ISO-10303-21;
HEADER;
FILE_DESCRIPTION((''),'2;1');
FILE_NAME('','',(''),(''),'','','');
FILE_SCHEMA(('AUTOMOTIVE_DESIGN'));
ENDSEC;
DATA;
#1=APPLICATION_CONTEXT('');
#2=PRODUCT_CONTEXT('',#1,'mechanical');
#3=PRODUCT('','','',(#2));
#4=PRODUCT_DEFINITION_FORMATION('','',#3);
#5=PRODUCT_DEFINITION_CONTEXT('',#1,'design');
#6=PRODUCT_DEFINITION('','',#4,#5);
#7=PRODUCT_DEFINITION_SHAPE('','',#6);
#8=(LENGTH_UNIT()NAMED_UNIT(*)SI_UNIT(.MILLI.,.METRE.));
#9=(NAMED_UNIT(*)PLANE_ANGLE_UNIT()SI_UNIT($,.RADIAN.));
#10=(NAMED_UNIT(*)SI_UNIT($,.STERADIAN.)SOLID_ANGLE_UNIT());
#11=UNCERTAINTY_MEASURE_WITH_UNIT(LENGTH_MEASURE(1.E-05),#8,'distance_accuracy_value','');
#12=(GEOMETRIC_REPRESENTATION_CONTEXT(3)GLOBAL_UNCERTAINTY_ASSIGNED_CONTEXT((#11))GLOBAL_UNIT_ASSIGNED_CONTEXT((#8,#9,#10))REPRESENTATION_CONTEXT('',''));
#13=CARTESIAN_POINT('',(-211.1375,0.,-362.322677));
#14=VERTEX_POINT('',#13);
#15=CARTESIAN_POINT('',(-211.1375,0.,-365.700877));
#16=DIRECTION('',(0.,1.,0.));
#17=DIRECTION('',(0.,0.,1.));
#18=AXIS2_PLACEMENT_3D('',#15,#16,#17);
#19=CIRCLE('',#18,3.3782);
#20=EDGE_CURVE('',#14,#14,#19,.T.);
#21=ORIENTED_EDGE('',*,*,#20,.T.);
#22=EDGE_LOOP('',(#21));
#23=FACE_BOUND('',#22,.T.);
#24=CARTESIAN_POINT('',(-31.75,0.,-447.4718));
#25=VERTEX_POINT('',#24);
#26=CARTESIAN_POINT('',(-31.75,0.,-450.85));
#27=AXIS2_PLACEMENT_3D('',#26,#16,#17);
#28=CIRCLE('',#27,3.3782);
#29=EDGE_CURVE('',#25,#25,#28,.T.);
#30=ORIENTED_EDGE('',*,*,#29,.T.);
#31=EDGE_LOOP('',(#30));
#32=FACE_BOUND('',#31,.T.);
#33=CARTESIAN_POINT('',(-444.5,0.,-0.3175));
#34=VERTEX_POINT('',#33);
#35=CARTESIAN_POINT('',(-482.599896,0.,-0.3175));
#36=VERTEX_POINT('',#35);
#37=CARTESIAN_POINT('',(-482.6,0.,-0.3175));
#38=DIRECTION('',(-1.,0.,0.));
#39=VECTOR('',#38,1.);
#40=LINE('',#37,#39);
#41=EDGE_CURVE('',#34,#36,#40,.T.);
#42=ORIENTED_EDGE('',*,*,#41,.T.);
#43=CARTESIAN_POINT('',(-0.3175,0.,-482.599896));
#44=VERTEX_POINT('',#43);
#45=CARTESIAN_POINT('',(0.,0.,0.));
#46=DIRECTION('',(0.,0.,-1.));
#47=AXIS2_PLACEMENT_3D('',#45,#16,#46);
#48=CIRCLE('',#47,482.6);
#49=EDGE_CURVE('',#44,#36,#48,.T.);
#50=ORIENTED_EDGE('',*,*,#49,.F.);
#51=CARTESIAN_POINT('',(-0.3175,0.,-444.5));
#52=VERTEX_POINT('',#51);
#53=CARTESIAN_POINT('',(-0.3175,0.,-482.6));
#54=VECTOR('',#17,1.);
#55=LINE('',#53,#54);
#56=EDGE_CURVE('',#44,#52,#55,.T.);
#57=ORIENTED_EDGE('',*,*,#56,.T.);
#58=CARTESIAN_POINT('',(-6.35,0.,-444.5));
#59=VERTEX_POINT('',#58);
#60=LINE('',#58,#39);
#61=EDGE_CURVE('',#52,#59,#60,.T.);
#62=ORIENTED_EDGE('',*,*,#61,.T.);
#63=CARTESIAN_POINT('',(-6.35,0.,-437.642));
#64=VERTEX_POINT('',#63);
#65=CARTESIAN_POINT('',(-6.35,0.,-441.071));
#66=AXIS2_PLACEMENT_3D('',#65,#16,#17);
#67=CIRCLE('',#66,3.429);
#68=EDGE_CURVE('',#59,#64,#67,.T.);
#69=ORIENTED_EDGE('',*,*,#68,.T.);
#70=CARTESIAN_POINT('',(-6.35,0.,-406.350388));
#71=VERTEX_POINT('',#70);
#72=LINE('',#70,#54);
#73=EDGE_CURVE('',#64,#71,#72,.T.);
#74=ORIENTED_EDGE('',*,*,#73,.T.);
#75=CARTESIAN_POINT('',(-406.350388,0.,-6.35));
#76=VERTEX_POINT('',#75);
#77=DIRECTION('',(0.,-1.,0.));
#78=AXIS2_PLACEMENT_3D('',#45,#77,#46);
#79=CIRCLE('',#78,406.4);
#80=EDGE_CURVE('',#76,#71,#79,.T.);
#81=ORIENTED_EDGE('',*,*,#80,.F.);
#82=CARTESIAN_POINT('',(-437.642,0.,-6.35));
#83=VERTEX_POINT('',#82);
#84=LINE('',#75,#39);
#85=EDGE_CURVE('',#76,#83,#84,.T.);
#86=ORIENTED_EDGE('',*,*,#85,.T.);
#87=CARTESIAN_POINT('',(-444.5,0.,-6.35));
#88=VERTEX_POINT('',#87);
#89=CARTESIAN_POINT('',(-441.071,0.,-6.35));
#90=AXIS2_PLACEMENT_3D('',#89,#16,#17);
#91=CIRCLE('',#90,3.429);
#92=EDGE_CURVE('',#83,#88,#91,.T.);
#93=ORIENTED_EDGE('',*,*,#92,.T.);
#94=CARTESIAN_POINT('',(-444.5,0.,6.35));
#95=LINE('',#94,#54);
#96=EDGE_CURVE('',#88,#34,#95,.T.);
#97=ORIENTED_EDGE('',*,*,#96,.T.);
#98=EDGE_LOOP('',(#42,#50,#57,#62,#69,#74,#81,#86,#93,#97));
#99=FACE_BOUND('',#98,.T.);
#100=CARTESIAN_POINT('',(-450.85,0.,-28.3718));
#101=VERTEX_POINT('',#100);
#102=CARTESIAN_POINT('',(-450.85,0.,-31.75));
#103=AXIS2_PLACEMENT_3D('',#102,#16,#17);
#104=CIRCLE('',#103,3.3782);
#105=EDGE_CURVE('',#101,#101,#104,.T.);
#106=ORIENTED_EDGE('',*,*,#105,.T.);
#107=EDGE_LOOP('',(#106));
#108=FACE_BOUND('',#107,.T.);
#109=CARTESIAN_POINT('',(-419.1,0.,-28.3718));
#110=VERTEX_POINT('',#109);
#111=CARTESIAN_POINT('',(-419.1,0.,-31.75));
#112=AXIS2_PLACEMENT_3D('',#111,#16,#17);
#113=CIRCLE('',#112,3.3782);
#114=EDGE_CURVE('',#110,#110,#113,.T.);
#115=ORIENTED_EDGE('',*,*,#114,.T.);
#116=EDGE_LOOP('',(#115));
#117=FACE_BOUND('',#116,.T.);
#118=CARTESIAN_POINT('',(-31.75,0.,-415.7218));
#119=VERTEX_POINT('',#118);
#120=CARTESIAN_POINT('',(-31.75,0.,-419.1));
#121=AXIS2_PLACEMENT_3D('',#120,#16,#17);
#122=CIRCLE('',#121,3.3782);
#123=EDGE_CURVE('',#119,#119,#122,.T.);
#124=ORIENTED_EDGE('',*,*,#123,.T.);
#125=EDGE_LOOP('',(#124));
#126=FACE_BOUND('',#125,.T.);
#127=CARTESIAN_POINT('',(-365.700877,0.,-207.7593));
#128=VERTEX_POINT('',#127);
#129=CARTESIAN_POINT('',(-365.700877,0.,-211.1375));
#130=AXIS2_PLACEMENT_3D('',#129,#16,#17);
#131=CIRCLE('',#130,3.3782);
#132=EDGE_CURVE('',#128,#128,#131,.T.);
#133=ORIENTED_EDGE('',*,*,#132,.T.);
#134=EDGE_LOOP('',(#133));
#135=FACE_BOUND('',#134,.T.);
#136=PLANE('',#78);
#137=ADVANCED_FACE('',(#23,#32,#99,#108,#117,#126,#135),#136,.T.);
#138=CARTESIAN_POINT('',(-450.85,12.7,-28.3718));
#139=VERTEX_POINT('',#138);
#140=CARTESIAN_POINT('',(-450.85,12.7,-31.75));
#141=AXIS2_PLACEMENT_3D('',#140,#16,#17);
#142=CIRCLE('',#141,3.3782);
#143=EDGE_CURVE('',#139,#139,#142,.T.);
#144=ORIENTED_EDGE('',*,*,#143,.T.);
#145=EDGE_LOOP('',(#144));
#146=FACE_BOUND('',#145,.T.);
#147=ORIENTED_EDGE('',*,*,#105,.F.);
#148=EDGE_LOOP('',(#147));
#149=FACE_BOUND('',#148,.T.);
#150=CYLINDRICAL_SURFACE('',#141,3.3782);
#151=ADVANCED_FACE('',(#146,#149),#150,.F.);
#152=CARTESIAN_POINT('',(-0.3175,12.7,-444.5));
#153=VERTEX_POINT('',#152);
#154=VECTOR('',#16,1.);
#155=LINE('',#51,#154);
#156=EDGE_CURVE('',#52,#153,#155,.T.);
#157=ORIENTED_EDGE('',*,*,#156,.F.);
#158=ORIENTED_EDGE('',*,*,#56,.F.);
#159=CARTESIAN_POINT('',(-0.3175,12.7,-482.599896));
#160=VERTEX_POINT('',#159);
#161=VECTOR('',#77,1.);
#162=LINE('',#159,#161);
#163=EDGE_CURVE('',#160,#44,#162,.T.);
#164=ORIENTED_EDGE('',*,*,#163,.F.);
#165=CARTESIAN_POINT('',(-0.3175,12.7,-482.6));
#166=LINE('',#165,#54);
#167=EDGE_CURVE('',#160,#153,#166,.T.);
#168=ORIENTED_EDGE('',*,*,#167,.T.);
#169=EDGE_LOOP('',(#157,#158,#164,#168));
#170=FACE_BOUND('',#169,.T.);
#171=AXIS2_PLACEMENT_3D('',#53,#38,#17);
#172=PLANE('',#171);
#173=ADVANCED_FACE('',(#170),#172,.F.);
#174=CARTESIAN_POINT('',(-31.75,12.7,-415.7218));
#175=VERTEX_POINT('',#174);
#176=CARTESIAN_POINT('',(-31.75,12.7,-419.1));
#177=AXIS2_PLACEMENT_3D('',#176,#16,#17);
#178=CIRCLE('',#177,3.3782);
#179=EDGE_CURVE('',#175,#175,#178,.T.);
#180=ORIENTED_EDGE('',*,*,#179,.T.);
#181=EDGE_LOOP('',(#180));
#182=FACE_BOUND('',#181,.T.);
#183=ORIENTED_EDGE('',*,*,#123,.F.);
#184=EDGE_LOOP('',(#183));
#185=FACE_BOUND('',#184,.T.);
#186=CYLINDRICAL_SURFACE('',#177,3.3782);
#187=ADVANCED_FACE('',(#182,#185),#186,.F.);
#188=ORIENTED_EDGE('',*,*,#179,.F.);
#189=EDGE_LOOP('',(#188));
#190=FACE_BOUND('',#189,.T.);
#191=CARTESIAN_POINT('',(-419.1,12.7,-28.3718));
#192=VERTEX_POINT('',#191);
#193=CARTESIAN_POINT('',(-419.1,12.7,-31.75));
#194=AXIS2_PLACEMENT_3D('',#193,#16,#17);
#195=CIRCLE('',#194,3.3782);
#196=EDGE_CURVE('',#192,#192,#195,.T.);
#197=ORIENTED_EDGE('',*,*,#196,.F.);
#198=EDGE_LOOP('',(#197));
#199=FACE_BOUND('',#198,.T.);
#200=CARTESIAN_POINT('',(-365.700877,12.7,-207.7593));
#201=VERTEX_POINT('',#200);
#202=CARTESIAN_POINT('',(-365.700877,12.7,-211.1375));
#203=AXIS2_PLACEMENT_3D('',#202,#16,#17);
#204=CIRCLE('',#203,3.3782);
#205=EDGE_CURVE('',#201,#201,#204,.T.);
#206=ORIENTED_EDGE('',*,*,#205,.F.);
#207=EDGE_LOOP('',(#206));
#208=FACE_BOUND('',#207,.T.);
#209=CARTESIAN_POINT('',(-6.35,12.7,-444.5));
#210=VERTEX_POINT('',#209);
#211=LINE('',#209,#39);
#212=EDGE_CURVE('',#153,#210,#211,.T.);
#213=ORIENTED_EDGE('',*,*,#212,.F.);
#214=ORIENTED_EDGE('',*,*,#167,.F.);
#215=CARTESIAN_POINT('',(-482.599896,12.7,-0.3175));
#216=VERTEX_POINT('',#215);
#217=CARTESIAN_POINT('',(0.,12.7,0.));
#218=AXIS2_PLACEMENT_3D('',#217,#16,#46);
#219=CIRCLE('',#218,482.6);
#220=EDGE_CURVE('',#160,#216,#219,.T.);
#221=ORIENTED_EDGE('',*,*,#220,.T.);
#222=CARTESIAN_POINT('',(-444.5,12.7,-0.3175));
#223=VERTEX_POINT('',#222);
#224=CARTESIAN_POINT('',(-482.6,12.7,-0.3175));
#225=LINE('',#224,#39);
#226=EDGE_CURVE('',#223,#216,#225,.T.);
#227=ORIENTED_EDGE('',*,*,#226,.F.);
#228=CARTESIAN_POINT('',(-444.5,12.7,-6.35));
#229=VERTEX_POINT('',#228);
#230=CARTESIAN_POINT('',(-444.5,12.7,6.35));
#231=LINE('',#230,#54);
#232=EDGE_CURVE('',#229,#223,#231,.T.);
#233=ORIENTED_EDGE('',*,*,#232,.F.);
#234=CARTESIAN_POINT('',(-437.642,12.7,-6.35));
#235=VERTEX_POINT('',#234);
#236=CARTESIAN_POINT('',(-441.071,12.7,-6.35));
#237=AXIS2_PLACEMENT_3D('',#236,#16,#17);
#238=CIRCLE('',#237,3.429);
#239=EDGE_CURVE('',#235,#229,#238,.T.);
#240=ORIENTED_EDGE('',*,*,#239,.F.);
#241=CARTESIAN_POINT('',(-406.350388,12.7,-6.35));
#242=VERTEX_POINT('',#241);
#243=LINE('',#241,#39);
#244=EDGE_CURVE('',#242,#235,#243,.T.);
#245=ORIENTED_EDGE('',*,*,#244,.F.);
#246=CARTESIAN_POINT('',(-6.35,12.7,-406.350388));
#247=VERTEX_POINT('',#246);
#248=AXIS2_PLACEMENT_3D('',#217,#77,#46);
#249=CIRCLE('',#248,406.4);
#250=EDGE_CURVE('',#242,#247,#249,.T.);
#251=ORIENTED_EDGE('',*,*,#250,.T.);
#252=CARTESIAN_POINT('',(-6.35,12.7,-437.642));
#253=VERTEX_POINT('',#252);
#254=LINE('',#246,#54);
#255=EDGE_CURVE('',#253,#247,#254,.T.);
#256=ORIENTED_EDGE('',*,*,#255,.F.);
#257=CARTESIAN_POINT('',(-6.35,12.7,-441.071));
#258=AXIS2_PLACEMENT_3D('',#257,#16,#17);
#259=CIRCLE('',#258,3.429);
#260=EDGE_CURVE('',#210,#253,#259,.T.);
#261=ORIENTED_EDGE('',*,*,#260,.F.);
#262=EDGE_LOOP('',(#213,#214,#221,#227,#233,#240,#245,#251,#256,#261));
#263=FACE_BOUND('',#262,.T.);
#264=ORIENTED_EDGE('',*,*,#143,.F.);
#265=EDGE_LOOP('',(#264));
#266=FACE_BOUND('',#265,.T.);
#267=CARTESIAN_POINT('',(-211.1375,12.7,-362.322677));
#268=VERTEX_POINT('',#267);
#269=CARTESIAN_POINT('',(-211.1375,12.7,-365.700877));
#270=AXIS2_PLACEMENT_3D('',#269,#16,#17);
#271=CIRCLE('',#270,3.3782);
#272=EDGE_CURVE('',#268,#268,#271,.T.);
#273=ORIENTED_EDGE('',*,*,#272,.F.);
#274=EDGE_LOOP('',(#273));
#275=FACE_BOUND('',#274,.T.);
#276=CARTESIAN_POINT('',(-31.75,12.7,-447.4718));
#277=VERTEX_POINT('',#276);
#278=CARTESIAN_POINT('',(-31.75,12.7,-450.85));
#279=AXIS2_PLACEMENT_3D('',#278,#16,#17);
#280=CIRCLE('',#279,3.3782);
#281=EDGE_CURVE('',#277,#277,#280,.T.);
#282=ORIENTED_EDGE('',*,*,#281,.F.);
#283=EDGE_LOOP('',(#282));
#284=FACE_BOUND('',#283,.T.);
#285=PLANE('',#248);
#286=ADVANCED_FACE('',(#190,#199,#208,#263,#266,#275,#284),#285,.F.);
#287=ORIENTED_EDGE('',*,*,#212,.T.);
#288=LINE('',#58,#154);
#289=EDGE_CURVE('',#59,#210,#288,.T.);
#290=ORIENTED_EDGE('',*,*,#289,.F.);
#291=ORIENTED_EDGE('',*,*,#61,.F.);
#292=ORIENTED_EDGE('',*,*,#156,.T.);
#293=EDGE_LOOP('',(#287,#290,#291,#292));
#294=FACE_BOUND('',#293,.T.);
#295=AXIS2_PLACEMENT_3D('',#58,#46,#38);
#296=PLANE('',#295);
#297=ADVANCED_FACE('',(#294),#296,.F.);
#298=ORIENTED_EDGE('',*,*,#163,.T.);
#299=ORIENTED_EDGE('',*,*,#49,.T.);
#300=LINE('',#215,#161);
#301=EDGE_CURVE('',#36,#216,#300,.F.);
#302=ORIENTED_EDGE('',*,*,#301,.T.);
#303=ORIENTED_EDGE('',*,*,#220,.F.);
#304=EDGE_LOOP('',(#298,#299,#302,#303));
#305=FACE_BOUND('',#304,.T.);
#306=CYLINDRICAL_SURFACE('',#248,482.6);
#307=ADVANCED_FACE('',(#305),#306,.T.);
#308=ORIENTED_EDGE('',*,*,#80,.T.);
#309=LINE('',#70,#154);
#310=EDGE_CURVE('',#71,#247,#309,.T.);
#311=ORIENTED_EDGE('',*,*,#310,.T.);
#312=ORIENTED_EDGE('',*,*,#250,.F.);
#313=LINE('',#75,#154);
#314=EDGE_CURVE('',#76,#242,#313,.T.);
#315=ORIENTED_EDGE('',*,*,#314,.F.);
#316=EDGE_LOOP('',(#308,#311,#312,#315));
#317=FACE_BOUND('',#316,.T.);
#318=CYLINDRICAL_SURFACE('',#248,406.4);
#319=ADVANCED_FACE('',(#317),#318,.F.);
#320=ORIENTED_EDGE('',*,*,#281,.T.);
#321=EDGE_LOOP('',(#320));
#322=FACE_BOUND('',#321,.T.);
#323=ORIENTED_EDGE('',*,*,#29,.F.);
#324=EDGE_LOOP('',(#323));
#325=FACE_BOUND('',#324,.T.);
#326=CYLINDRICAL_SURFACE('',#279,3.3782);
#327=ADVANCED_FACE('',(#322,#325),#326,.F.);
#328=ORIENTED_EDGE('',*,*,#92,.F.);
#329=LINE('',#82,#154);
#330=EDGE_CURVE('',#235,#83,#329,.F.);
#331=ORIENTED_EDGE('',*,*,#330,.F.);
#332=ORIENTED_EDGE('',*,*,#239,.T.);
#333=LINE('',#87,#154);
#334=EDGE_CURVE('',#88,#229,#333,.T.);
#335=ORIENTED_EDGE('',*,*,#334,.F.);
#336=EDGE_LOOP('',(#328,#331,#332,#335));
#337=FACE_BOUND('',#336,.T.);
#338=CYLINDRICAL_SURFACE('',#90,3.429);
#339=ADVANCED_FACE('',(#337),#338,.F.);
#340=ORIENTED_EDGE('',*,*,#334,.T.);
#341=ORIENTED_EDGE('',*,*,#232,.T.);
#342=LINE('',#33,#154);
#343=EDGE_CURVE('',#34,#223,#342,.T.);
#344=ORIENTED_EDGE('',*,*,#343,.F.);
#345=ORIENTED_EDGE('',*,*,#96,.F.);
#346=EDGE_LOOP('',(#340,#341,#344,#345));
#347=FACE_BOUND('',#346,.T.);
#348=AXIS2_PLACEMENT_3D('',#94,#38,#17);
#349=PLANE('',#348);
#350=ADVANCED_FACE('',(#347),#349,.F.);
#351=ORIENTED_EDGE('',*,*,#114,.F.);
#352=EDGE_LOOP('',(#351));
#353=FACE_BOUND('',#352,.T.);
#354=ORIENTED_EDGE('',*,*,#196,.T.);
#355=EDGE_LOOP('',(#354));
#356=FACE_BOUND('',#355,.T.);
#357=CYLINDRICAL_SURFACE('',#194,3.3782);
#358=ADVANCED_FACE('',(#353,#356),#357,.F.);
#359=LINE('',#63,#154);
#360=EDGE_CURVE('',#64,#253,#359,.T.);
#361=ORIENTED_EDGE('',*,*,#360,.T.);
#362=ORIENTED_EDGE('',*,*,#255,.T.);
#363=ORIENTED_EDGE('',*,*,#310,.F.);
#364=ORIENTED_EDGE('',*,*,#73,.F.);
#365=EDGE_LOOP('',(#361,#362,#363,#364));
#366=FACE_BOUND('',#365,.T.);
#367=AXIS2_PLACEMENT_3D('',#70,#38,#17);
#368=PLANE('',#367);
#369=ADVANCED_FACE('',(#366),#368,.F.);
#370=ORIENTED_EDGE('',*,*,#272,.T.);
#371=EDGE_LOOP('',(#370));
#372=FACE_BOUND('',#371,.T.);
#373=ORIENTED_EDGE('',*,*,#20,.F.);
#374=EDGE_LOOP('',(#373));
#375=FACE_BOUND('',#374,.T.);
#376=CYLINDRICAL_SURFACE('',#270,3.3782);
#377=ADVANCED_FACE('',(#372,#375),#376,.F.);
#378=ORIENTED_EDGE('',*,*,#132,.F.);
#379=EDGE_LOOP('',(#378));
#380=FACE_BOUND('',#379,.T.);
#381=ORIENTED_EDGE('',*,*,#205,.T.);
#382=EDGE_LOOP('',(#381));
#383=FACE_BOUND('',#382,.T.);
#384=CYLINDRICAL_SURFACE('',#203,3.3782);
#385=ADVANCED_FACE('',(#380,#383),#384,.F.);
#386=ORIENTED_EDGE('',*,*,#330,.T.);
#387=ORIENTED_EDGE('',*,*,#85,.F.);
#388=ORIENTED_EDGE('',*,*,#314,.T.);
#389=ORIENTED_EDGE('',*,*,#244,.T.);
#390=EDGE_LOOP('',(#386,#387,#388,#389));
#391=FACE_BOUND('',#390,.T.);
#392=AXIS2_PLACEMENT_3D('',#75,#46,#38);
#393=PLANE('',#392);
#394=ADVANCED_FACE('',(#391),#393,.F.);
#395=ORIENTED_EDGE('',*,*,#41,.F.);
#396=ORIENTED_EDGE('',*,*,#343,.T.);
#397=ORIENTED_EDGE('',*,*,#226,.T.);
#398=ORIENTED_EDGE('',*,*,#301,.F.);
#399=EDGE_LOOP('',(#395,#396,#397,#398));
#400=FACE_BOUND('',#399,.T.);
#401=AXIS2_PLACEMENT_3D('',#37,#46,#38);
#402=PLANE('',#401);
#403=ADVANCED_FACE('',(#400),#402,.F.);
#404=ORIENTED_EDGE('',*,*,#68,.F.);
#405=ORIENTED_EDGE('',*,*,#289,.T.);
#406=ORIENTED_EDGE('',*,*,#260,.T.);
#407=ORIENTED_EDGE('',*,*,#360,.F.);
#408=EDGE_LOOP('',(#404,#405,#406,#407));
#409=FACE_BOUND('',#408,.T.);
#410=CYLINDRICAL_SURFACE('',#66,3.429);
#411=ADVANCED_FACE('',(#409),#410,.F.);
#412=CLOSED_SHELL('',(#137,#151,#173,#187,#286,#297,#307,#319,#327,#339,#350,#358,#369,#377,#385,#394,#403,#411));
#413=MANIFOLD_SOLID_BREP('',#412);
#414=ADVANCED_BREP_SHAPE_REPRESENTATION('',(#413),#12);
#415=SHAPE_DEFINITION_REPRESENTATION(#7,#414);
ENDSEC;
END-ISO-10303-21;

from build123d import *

# Parameters (mm, degrees)
BOSS_EXTRUDE1_DEPTH     = 12.7
SKETCH2_W               = 12.7
SKETCH2_H               = 38.149612403
SKETCH2_W_2             = 38.149612403
SKETCH2_H_2             = 12.7
CUT_EXTRUDE1_DEPTH      = 13.7
SKETCH3_R               = 3.429
CUT_EXTRUDE2_DEPTH      = 13.7
F_1_4_CLEARANCE_HOLE1_D = 6.7564
SKETCH8_W               = 482.6
SKETCH8_H               = 482.6
CUT_EXTRUDE4_DEPTH      = 13.7
SKETCH9_W               = 0.3175
SKETCH9_H               = 38.1
SKETCH9_W_2             = 38.1
SKETCH9_H_2             = 0.3175
CUT_EXTRUDE5_DEPTH      = 13.7


with BuildPart() as part:
    # Sketch1 → Boss-Extrude1 (new body)
    with BuildSketch(Plane(origin=(0, 0, 0), x_dir=(1, 0, 0), z_dir=(0, 1, 0))):
        with BuildLine():
            Line((-406.4, 0), (-482.6, 0))
            ThreePointArc((-482.6, 0), (0, 482.6), (482.6, 0))
            Line((482.6, 0), (406.4, 0))
            ThreePointArc((406.4, 0), (0, 406.4), (-406.4, 0))
        make_face()
    extrude(amount=BOSS_EXTRUDE1_DEPTH)

    # Sketch2 → Cut-Extrude1 (cut, through all)
    with BuildSketch(Plane(origin=(0, 12.7, 0), x_dir=(1, 0, 0), z_dir=(0, 1, 0))):
        with Locations((0, 425.425193799)):
            Rectangle(SKETCH2_W, SKETCH2_H)
        with Locations((425.425193799, 0)):
            Rectangle(SKETCH2_W_2, SKETCH2_H_2)
        with Locations((0, -425.425193799)):
            Rectangle(SKETCH2_W, SKETCH2_H)
        with Locations((-425.425193799, 0)):
            Rectangle(SKETCH2_W_2, SKETCH2_H_2)
    extrude(amount=-CUT_EXTRUDE1_DEPTH, mode=Mode.SUBTRACT)

    # Sketch3 → Cut-Extrude2 (cut, through all)
    with BuildSketch(Plane(origin=(0, 12.7, 0), x_dir=(1, 0, 0), z_dir=(0, 1, 0))):
        with Locations((-6.35, 441.071)):
            Circle(SKETCH3_R)
        with Locations((-441.071, 6.35)):
            Circle(SKETCH3_R)
        with Locations((6.35, 441.071)):
            Circle(SKETCH3_R)
        with Locations((441.071, 6.35)):
            Circle(SKETCH3_R)
    extrude(amount=-CUT_EXTRUDE2_DEPTH, mode=Mode.SUBTRACT)

    # 1/4 Clearance Hole1 (through all)
    with Locations(Plane(origin=(0, 12.7, 0), x_dir=(1, 0, 0), z_dir=(0, 1, 0))):
        with Locations((-365.700877383, 211.1375), (-31.75, 419.1), (-31.75, 450.85), (-419.1, 31.75), (-450.85, 31.75), (-211.1375, 365.700877383)):
            Hole(F_1_4_CLEARANCE_HOLE1_D / 2)

    # Sketch8 → Cut-Extrude4 (cut, through all)
    with BuildSketch(Plane(origin=(0, 12.7, 0), x_dir=(1, 0, 0), z_dir=(0, 1, 0))):
        with Locations((241.3, 241.3)):
            Rectangle(SKETCH8_W, SKETCH8_H)
    extrude(amount=-CUT_EXTRUDE4_DEPTH, mode=Mode.SUBTRACT)

    # Sketch9 → Cut-Extrude5 (cut, through all)
    with BuildSketch(Plane(origin=(0, 12.7, 0), x_dir=(1, 0, 0), z_dir=(0, 1, 0))):
        with Locations((-0.15875, 463.55)):
            Rectangle(SKETCH9_W, SKETCH9_H)
        with Locations((-463.55, 0.15875)):
            Rectangle(SKETCH9_W_2, SKETCH9_H_2)
    extrude(amount=-CUT_EXTRUDE5_DEPTH, mode=Mode.SUBTRACT)


solid = part.part
